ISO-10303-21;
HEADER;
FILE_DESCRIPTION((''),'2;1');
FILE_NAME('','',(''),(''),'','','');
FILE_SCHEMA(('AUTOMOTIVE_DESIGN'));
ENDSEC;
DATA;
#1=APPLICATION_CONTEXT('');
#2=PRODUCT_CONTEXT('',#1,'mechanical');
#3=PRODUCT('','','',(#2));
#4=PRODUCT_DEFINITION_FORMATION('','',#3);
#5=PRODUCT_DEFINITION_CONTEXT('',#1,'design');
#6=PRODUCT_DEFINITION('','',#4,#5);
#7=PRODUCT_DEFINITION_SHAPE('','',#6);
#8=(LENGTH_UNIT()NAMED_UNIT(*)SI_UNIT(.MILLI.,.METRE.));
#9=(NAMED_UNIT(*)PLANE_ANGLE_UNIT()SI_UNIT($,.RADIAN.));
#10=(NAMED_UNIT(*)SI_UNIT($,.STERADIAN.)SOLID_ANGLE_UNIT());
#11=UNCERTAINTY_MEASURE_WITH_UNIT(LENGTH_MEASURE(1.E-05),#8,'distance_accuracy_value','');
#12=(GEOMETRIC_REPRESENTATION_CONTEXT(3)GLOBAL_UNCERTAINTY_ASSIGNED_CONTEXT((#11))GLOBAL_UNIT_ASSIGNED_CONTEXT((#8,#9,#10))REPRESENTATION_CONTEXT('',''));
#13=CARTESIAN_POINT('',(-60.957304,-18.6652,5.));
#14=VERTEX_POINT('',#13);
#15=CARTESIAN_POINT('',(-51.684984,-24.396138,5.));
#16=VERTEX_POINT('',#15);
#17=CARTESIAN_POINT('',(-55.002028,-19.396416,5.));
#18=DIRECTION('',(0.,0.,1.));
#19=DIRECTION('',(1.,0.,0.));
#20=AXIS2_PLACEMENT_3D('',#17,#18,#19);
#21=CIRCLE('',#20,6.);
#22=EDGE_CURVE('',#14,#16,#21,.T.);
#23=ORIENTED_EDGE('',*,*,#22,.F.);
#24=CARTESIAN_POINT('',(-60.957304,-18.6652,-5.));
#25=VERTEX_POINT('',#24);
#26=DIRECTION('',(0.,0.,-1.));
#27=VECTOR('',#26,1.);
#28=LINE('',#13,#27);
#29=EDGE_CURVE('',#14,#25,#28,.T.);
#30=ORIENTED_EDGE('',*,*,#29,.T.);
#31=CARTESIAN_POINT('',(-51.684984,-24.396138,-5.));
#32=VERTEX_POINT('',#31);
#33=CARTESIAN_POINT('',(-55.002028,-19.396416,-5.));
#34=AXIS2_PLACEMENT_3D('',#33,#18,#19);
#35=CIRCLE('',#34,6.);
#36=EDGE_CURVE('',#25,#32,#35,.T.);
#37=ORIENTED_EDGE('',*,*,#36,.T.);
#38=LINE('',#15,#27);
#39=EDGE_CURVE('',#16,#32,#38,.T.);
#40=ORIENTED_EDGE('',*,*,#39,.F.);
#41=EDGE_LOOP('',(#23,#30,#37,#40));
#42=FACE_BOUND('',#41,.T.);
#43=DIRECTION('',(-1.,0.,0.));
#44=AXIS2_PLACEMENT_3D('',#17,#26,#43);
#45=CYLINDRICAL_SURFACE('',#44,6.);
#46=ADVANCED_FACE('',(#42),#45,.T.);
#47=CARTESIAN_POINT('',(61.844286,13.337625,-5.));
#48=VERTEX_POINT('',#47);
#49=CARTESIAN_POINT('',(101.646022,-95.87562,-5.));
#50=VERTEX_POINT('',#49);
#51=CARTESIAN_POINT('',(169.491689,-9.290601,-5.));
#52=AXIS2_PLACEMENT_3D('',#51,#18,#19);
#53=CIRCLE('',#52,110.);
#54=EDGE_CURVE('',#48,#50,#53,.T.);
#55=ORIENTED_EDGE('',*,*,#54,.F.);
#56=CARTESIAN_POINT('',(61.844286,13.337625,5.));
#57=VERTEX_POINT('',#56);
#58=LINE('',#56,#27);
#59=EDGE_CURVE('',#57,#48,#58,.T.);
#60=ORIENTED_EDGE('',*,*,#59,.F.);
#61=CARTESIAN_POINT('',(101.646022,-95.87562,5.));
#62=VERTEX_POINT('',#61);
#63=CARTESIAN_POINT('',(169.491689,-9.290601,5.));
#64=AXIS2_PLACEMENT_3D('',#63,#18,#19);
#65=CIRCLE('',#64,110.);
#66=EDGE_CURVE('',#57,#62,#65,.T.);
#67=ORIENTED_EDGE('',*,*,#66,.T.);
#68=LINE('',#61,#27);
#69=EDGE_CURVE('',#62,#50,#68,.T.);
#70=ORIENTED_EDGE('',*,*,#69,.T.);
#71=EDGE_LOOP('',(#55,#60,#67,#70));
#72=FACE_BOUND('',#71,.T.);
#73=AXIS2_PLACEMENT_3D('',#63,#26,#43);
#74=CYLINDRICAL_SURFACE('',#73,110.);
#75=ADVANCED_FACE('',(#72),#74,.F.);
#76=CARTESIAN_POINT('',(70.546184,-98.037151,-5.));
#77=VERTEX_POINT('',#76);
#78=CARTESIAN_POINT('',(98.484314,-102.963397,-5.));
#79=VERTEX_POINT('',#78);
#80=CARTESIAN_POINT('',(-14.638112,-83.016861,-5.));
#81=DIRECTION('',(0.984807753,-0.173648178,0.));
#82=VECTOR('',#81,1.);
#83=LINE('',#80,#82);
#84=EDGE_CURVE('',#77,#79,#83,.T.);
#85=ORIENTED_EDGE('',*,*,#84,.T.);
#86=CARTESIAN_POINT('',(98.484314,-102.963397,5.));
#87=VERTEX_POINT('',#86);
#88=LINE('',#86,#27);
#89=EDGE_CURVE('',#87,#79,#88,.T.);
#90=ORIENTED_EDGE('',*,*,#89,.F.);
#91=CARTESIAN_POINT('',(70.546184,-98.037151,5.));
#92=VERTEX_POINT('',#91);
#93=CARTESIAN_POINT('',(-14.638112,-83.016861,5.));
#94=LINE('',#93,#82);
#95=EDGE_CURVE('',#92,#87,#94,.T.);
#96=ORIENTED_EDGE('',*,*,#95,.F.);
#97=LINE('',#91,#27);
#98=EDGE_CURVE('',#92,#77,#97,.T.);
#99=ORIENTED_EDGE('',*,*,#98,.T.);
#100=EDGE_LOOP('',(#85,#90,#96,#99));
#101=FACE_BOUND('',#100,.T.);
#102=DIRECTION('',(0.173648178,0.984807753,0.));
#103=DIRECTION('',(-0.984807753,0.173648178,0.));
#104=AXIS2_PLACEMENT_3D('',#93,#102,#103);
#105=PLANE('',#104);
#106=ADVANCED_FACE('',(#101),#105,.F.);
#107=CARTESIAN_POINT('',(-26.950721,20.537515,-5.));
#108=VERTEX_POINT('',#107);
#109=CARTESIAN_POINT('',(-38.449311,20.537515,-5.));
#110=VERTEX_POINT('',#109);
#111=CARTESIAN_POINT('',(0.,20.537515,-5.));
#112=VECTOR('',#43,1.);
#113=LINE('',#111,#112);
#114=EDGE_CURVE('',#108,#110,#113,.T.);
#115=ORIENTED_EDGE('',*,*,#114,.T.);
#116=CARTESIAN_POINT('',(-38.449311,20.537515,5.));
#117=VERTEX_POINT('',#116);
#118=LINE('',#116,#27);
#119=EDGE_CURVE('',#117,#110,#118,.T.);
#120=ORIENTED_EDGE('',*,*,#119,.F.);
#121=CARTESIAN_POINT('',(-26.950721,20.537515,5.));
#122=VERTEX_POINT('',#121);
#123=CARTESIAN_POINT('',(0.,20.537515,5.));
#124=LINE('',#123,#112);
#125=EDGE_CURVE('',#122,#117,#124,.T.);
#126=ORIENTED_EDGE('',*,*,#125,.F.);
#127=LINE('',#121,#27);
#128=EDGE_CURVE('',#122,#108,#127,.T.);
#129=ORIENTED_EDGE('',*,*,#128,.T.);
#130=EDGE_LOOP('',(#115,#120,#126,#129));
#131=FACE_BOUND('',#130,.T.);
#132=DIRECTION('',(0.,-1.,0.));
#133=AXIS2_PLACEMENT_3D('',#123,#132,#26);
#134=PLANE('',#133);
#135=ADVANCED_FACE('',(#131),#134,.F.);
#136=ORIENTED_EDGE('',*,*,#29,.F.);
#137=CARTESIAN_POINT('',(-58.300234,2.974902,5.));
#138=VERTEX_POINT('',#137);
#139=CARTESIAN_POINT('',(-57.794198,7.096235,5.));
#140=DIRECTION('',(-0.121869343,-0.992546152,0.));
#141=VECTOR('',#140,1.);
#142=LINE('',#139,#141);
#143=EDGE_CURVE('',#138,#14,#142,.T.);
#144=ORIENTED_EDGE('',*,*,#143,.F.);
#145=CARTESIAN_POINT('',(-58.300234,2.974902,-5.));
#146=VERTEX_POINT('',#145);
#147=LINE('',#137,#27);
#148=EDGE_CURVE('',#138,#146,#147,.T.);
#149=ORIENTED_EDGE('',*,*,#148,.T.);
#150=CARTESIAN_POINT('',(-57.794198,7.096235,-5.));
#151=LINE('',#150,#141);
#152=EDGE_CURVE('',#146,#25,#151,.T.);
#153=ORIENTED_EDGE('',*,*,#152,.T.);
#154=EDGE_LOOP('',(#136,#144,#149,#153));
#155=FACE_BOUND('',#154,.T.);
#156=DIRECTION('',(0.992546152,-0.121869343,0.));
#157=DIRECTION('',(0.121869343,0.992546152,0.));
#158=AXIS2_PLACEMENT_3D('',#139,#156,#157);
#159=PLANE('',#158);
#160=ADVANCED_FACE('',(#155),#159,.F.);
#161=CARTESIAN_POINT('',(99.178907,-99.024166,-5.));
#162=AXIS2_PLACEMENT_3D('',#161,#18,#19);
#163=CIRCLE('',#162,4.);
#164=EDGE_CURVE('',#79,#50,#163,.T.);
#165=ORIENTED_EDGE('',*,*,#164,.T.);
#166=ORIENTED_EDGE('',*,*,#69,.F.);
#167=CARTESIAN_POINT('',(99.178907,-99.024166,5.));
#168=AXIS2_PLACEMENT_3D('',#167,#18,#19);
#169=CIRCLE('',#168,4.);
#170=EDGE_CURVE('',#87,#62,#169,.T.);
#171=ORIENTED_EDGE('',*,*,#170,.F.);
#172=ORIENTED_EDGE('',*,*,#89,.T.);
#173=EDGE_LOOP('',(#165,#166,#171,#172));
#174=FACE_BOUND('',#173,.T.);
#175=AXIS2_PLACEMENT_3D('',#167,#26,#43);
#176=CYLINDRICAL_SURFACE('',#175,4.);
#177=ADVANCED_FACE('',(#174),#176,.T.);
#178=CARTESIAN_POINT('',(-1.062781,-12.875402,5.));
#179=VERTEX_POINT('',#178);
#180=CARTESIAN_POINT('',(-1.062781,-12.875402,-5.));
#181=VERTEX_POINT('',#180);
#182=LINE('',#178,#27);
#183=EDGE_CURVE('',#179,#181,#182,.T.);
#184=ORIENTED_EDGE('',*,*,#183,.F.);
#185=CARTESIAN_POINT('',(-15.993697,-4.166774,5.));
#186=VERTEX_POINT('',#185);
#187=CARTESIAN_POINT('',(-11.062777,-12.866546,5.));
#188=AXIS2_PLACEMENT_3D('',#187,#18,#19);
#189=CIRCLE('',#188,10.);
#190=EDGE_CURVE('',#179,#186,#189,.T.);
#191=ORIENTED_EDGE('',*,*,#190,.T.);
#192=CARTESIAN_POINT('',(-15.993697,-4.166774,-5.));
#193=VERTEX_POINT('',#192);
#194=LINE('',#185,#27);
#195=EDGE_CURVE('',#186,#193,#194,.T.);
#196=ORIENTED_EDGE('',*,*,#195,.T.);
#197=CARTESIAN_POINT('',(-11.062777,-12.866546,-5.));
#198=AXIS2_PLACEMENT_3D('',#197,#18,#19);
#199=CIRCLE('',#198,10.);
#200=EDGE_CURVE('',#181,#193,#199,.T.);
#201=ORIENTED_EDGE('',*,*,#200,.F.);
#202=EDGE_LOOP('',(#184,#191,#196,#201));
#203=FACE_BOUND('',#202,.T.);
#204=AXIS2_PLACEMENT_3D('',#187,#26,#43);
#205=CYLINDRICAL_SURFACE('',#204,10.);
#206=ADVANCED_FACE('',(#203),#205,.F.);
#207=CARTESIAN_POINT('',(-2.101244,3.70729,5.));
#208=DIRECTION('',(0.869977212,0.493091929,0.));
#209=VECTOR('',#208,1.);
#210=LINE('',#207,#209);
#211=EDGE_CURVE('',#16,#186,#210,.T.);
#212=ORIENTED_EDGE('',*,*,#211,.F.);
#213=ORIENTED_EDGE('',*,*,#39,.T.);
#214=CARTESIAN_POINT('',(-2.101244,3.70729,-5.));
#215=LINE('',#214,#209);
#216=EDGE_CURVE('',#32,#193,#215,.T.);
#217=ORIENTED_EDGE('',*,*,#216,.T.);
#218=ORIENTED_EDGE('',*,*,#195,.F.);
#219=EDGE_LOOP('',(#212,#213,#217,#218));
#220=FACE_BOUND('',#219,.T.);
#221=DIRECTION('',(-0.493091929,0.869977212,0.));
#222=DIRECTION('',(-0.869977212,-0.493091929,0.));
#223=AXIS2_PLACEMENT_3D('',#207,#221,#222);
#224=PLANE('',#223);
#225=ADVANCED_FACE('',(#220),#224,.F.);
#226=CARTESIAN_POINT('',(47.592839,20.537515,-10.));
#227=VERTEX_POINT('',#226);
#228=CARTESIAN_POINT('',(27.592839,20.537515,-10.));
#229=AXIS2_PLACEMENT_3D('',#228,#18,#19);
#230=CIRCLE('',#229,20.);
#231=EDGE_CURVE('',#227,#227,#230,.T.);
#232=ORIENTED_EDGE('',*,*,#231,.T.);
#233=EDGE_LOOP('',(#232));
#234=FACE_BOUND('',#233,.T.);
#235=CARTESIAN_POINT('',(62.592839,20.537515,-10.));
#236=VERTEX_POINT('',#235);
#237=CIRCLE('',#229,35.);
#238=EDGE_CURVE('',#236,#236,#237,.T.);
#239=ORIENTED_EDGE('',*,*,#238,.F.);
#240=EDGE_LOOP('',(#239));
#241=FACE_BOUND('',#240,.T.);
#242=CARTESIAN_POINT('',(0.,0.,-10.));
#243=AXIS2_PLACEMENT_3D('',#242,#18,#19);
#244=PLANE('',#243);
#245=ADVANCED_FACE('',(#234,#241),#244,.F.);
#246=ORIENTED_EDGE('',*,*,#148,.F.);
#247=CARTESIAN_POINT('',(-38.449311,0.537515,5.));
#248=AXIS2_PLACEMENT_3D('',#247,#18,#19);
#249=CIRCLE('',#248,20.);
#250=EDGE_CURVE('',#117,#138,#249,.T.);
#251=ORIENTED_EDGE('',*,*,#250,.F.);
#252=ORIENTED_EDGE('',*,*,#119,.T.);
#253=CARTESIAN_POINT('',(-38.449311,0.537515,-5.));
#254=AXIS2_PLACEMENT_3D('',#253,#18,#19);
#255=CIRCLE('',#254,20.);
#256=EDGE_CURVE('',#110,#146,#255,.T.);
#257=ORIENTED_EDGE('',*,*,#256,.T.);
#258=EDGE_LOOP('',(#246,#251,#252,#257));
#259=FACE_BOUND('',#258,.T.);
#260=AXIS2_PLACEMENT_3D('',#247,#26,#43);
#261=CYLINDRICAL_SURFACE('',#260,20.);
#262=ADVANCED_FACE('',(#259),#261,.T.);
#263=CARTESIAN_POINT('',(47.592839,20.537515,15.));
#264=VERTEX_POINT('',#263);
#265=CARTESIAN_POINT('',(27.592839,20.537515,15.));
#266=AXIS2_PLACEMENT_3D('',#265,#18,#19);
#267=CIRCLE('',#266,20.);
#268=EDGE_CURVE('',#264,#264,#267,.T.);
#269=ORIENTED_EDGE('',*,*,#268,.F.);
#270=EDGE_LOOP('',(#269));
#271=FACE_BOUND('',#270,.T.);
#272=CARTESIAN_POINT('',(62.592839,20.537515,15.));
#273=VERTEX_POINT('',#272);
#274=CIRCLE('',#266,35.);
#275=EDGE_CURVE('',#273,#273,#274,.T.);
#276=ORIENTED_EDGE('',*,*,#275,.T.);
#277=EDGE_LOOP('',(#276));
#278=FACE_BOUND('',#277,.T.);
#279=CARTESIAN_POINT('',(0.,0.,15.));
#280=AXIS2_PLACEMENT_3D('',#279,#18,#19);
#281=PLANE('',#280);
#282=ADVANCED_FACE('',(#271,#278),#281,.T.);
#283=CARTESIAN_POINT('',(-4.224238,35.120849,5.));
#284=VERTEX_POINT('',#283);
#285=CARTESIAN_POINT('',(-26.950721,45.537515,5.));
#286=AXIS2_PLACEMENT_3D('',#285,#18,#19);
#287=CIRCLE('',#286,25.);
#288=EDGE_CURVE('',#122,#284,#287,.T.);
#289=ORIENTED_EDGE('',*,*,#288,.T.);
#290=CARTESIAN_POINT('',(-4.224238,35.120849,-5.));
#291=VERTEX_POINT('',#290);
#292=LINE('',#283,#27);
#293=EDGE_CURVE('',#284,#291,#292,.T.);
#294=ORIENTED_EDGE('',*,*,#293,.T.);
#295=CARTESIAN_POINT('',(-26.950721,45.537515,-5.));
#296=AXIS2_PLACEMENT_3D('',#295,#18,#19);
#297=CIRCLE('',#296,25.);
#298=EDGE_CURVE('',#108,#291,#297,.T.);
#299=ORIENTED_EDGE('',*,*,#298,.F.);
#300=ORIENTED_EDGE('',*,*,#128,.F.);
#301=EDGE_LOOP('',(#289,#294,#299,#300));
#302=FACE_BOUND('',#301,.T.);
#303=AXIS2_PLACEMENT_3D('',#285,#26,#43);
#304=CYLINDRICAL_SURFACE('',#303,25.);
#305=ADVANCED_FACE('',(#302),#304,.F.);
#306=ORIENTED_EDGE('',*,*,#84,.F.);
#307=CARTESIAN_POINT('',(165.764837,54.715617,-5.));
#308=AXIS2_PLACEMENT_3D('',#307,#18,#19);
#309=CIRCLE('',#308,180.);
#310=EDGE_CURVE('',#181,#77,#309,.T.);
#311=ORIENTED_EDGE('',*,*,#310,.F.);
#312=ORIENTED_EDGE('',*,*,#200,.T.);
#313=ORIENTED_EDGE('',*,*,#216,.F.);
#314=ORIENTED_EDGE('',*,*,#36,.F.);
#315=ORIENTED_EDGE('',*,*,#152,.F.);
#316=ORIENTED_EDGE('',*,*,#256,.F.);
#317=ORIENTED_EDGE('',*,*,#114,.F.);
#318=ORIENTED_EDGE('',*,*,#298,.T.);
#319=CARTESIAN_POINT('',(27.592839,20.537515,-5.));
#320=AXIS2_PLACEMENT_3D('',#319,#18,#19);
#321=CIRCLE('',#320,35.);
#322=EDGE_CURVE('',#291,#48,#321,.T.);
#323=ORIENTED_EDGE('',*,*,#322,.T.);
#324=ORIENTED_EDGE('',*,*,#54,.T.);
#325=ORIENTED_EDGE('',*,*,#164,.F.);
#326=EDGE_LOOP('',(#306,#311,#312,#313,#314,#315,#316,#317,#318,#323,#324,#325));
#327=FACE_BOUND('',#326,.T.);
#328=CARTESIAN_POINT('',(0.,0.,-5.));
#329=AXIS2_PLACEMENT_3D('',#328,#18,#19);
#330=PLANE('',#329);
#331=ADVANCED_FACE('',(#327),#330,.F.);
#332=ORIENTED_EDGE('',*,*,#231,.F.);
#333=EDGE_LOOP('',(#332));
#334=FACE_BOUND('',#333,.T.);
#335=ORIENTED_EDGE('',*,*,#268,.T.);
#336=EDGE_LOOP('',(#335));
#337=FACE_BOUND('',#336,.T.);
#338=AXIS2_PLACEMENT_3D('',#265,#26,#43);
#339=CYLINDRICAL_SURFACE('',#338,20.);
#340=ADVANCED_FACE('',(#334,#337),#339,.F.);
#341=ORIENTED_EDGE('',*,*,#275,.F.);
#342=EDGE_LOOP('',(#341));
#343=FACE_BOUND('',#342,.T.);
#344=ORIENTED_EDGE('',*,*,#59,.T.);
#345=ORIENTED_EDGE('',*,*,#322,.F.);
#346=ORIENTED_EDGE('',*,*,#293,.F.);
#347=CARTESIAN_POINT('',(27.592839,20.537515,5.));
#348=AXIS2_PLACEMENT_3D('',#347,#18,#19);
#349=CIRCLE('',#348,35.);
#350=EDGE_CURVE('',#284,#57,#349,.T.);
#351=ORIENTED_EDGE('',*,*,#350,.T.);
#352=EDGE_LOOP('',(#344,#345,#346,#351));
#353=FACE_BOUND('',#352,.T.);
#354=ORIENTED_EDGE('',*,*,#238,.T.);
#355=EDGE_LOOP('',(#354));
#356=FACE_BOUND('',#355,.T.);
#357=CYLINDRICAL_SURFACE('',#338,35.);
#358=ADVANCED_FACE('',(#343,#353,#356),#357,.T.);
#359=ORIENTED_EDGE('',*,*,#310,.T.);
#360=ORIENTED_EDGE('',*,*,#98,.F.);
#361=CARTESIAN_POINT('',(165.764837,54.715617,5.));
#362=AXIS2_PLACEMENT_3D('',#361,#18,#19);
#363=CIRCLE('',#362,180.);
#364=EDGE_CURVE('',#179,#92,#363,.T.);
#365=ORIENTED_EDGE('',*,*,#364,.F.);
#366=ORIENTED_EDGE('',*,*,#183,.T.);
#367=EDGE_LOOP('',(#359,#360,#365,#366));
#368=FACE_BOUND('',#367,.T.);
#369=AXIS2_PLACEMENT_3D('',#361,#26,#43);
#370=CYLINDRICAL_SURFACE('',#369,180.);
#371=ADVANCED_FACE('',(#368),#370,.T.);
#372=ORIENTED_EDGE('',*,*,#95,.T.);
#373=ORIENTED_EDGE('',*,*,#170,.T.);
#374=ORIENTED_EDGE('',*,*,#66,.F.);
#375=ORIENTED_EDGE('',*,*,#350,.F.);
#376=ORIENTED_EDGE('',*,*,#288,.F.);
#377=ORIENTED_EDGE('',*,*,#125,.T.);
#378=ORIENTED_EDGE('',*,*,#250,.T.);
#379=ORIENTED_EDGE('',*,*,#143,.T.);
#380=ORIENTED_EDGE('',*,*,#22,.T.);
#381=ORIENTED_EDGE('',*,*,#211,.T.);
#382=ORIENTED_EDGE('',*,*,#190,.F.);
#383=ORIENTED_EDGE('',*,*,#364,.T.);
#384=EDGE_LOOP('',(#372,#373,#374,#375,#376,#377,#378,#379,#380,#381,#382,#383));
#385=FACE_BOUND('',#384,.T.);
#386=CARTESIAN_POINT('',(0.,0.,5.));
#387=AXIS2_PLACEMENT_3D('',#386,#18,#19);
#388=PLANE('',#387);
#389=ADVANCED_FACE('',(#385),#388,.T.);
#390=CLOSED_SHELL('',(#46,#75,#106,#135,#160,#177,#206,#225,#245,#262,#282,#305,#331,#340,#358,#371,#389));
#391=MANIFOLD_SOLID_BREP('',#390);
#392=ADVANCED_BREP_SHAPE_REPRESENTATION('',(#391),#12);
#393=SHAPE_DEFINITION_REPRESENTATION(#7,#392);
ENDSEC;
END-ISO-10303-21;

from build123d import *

# Parameters (mm, degrees)
Y_KSEKLIK_EKSTR_ZYON6_DEPTH      = 15
Y_KSEKLIK_EKSTR_ZYON6_DEPTH_BACK = 10
IZIM2_R                          = 35
IZIM2_R_2                        = 20
Y_KSEKLIK_EKSTR_ZYON7_DEPTH      = 5
Y_KSEKLIK_EKSTR_ZYON7_DEPTH_BACK = 5


with BuildPart() as part:
    # Çizim2 → Yükseklik-Ekstrüzyon6 (new, two sides: drawn at the far end of the back side and taken through both)
    with BuildSketch(Plane.XY.offset(-Y_KSEKLIK_EKSTR_ZYON6_DEPTH_BACK)):
        with Locations((27.5928394, 20.537515488)):
            Circle(IZIM2_R)
        with Locations((27.5928394, 20.537515488)):
            Circle(IZIM2_R_2, mode=Mode.SUBTRACT)
    extrude(amount=Y_KSEKLIK_EKSTR_ZYON6_DEPTH + Y_KSEKLIK_EKSTR_ZYON6_DEPTH_BACK)

    # Çizim2<9> → Yükseklik-Ekstrüzyon7 (add, two sides: drawn at the far end of the back side and taken through both)
    with BuildSketch(Plane.XY.offset(-Y_KSEKLIK_EKSTR_ZYON7_DEPTH_BACK)):
        with BuildLine():
            ThreePointArc((61.844285789, 13.337625196), (16.633425799, -12.702389047), (-4.224237601, 35.120848822))
            ThreePointArc((-4.224237601, 35.120848822), (-13.449178052, 24.4968802), (-26.950721174, 20.537515488))
            Line((-26.950721174, 20.537515488), (-38.44931098, 20.537515488))
            ThreePointArc((-38.44931098, 20.537515488), (-51.701711944, 15.516629904), (-58.300234012, 2.974902357))
            Line((-58.300234012, 2.974902357), (-60.95730449, -18.665200093))
            ThreePointArc((-60.95730449, -18.665200093), (-58.156545185, -24.500240081), (-51.684983771, -24.396138183))
            Line((-51.684983771, -24.396138183), (-15.993696643, -4.166774273))
            ThreePointArc((-15.993696643, -4.166774273), (-15.929312008, -4.130595361), (-15.864661939, -4.094892934))
            ThreePointArc((-15.864661939, -4.094892934), (-5.960873253, -4.265931617), (-1.062781275, -12.875401956))
            ThreePointArc((-1.062781275, -12.875401956), (27.996215902, -61.128273793), (70.546183821, -98.037150605))
            Line((70.546183821, -98.037150605), (98.484313975, -102.963396742))
            ThreePointArc((98.484313975, -102.963396742), (102.831933538, -100.653703951), (101.646021849, -95.875619594))
            ThreePointArc((101.646021849, -95.875619594), (66.141131912, -46.955735677), (61.844285789, 13.337625196))
        make_face()
    extrude(amount=Y_KSEKLIK_EKSTR_ZYON7_DEPTH + Y_KSEKLIK_EKSTR_ZYON7_DEPTH_BACK)


solid = part.part
